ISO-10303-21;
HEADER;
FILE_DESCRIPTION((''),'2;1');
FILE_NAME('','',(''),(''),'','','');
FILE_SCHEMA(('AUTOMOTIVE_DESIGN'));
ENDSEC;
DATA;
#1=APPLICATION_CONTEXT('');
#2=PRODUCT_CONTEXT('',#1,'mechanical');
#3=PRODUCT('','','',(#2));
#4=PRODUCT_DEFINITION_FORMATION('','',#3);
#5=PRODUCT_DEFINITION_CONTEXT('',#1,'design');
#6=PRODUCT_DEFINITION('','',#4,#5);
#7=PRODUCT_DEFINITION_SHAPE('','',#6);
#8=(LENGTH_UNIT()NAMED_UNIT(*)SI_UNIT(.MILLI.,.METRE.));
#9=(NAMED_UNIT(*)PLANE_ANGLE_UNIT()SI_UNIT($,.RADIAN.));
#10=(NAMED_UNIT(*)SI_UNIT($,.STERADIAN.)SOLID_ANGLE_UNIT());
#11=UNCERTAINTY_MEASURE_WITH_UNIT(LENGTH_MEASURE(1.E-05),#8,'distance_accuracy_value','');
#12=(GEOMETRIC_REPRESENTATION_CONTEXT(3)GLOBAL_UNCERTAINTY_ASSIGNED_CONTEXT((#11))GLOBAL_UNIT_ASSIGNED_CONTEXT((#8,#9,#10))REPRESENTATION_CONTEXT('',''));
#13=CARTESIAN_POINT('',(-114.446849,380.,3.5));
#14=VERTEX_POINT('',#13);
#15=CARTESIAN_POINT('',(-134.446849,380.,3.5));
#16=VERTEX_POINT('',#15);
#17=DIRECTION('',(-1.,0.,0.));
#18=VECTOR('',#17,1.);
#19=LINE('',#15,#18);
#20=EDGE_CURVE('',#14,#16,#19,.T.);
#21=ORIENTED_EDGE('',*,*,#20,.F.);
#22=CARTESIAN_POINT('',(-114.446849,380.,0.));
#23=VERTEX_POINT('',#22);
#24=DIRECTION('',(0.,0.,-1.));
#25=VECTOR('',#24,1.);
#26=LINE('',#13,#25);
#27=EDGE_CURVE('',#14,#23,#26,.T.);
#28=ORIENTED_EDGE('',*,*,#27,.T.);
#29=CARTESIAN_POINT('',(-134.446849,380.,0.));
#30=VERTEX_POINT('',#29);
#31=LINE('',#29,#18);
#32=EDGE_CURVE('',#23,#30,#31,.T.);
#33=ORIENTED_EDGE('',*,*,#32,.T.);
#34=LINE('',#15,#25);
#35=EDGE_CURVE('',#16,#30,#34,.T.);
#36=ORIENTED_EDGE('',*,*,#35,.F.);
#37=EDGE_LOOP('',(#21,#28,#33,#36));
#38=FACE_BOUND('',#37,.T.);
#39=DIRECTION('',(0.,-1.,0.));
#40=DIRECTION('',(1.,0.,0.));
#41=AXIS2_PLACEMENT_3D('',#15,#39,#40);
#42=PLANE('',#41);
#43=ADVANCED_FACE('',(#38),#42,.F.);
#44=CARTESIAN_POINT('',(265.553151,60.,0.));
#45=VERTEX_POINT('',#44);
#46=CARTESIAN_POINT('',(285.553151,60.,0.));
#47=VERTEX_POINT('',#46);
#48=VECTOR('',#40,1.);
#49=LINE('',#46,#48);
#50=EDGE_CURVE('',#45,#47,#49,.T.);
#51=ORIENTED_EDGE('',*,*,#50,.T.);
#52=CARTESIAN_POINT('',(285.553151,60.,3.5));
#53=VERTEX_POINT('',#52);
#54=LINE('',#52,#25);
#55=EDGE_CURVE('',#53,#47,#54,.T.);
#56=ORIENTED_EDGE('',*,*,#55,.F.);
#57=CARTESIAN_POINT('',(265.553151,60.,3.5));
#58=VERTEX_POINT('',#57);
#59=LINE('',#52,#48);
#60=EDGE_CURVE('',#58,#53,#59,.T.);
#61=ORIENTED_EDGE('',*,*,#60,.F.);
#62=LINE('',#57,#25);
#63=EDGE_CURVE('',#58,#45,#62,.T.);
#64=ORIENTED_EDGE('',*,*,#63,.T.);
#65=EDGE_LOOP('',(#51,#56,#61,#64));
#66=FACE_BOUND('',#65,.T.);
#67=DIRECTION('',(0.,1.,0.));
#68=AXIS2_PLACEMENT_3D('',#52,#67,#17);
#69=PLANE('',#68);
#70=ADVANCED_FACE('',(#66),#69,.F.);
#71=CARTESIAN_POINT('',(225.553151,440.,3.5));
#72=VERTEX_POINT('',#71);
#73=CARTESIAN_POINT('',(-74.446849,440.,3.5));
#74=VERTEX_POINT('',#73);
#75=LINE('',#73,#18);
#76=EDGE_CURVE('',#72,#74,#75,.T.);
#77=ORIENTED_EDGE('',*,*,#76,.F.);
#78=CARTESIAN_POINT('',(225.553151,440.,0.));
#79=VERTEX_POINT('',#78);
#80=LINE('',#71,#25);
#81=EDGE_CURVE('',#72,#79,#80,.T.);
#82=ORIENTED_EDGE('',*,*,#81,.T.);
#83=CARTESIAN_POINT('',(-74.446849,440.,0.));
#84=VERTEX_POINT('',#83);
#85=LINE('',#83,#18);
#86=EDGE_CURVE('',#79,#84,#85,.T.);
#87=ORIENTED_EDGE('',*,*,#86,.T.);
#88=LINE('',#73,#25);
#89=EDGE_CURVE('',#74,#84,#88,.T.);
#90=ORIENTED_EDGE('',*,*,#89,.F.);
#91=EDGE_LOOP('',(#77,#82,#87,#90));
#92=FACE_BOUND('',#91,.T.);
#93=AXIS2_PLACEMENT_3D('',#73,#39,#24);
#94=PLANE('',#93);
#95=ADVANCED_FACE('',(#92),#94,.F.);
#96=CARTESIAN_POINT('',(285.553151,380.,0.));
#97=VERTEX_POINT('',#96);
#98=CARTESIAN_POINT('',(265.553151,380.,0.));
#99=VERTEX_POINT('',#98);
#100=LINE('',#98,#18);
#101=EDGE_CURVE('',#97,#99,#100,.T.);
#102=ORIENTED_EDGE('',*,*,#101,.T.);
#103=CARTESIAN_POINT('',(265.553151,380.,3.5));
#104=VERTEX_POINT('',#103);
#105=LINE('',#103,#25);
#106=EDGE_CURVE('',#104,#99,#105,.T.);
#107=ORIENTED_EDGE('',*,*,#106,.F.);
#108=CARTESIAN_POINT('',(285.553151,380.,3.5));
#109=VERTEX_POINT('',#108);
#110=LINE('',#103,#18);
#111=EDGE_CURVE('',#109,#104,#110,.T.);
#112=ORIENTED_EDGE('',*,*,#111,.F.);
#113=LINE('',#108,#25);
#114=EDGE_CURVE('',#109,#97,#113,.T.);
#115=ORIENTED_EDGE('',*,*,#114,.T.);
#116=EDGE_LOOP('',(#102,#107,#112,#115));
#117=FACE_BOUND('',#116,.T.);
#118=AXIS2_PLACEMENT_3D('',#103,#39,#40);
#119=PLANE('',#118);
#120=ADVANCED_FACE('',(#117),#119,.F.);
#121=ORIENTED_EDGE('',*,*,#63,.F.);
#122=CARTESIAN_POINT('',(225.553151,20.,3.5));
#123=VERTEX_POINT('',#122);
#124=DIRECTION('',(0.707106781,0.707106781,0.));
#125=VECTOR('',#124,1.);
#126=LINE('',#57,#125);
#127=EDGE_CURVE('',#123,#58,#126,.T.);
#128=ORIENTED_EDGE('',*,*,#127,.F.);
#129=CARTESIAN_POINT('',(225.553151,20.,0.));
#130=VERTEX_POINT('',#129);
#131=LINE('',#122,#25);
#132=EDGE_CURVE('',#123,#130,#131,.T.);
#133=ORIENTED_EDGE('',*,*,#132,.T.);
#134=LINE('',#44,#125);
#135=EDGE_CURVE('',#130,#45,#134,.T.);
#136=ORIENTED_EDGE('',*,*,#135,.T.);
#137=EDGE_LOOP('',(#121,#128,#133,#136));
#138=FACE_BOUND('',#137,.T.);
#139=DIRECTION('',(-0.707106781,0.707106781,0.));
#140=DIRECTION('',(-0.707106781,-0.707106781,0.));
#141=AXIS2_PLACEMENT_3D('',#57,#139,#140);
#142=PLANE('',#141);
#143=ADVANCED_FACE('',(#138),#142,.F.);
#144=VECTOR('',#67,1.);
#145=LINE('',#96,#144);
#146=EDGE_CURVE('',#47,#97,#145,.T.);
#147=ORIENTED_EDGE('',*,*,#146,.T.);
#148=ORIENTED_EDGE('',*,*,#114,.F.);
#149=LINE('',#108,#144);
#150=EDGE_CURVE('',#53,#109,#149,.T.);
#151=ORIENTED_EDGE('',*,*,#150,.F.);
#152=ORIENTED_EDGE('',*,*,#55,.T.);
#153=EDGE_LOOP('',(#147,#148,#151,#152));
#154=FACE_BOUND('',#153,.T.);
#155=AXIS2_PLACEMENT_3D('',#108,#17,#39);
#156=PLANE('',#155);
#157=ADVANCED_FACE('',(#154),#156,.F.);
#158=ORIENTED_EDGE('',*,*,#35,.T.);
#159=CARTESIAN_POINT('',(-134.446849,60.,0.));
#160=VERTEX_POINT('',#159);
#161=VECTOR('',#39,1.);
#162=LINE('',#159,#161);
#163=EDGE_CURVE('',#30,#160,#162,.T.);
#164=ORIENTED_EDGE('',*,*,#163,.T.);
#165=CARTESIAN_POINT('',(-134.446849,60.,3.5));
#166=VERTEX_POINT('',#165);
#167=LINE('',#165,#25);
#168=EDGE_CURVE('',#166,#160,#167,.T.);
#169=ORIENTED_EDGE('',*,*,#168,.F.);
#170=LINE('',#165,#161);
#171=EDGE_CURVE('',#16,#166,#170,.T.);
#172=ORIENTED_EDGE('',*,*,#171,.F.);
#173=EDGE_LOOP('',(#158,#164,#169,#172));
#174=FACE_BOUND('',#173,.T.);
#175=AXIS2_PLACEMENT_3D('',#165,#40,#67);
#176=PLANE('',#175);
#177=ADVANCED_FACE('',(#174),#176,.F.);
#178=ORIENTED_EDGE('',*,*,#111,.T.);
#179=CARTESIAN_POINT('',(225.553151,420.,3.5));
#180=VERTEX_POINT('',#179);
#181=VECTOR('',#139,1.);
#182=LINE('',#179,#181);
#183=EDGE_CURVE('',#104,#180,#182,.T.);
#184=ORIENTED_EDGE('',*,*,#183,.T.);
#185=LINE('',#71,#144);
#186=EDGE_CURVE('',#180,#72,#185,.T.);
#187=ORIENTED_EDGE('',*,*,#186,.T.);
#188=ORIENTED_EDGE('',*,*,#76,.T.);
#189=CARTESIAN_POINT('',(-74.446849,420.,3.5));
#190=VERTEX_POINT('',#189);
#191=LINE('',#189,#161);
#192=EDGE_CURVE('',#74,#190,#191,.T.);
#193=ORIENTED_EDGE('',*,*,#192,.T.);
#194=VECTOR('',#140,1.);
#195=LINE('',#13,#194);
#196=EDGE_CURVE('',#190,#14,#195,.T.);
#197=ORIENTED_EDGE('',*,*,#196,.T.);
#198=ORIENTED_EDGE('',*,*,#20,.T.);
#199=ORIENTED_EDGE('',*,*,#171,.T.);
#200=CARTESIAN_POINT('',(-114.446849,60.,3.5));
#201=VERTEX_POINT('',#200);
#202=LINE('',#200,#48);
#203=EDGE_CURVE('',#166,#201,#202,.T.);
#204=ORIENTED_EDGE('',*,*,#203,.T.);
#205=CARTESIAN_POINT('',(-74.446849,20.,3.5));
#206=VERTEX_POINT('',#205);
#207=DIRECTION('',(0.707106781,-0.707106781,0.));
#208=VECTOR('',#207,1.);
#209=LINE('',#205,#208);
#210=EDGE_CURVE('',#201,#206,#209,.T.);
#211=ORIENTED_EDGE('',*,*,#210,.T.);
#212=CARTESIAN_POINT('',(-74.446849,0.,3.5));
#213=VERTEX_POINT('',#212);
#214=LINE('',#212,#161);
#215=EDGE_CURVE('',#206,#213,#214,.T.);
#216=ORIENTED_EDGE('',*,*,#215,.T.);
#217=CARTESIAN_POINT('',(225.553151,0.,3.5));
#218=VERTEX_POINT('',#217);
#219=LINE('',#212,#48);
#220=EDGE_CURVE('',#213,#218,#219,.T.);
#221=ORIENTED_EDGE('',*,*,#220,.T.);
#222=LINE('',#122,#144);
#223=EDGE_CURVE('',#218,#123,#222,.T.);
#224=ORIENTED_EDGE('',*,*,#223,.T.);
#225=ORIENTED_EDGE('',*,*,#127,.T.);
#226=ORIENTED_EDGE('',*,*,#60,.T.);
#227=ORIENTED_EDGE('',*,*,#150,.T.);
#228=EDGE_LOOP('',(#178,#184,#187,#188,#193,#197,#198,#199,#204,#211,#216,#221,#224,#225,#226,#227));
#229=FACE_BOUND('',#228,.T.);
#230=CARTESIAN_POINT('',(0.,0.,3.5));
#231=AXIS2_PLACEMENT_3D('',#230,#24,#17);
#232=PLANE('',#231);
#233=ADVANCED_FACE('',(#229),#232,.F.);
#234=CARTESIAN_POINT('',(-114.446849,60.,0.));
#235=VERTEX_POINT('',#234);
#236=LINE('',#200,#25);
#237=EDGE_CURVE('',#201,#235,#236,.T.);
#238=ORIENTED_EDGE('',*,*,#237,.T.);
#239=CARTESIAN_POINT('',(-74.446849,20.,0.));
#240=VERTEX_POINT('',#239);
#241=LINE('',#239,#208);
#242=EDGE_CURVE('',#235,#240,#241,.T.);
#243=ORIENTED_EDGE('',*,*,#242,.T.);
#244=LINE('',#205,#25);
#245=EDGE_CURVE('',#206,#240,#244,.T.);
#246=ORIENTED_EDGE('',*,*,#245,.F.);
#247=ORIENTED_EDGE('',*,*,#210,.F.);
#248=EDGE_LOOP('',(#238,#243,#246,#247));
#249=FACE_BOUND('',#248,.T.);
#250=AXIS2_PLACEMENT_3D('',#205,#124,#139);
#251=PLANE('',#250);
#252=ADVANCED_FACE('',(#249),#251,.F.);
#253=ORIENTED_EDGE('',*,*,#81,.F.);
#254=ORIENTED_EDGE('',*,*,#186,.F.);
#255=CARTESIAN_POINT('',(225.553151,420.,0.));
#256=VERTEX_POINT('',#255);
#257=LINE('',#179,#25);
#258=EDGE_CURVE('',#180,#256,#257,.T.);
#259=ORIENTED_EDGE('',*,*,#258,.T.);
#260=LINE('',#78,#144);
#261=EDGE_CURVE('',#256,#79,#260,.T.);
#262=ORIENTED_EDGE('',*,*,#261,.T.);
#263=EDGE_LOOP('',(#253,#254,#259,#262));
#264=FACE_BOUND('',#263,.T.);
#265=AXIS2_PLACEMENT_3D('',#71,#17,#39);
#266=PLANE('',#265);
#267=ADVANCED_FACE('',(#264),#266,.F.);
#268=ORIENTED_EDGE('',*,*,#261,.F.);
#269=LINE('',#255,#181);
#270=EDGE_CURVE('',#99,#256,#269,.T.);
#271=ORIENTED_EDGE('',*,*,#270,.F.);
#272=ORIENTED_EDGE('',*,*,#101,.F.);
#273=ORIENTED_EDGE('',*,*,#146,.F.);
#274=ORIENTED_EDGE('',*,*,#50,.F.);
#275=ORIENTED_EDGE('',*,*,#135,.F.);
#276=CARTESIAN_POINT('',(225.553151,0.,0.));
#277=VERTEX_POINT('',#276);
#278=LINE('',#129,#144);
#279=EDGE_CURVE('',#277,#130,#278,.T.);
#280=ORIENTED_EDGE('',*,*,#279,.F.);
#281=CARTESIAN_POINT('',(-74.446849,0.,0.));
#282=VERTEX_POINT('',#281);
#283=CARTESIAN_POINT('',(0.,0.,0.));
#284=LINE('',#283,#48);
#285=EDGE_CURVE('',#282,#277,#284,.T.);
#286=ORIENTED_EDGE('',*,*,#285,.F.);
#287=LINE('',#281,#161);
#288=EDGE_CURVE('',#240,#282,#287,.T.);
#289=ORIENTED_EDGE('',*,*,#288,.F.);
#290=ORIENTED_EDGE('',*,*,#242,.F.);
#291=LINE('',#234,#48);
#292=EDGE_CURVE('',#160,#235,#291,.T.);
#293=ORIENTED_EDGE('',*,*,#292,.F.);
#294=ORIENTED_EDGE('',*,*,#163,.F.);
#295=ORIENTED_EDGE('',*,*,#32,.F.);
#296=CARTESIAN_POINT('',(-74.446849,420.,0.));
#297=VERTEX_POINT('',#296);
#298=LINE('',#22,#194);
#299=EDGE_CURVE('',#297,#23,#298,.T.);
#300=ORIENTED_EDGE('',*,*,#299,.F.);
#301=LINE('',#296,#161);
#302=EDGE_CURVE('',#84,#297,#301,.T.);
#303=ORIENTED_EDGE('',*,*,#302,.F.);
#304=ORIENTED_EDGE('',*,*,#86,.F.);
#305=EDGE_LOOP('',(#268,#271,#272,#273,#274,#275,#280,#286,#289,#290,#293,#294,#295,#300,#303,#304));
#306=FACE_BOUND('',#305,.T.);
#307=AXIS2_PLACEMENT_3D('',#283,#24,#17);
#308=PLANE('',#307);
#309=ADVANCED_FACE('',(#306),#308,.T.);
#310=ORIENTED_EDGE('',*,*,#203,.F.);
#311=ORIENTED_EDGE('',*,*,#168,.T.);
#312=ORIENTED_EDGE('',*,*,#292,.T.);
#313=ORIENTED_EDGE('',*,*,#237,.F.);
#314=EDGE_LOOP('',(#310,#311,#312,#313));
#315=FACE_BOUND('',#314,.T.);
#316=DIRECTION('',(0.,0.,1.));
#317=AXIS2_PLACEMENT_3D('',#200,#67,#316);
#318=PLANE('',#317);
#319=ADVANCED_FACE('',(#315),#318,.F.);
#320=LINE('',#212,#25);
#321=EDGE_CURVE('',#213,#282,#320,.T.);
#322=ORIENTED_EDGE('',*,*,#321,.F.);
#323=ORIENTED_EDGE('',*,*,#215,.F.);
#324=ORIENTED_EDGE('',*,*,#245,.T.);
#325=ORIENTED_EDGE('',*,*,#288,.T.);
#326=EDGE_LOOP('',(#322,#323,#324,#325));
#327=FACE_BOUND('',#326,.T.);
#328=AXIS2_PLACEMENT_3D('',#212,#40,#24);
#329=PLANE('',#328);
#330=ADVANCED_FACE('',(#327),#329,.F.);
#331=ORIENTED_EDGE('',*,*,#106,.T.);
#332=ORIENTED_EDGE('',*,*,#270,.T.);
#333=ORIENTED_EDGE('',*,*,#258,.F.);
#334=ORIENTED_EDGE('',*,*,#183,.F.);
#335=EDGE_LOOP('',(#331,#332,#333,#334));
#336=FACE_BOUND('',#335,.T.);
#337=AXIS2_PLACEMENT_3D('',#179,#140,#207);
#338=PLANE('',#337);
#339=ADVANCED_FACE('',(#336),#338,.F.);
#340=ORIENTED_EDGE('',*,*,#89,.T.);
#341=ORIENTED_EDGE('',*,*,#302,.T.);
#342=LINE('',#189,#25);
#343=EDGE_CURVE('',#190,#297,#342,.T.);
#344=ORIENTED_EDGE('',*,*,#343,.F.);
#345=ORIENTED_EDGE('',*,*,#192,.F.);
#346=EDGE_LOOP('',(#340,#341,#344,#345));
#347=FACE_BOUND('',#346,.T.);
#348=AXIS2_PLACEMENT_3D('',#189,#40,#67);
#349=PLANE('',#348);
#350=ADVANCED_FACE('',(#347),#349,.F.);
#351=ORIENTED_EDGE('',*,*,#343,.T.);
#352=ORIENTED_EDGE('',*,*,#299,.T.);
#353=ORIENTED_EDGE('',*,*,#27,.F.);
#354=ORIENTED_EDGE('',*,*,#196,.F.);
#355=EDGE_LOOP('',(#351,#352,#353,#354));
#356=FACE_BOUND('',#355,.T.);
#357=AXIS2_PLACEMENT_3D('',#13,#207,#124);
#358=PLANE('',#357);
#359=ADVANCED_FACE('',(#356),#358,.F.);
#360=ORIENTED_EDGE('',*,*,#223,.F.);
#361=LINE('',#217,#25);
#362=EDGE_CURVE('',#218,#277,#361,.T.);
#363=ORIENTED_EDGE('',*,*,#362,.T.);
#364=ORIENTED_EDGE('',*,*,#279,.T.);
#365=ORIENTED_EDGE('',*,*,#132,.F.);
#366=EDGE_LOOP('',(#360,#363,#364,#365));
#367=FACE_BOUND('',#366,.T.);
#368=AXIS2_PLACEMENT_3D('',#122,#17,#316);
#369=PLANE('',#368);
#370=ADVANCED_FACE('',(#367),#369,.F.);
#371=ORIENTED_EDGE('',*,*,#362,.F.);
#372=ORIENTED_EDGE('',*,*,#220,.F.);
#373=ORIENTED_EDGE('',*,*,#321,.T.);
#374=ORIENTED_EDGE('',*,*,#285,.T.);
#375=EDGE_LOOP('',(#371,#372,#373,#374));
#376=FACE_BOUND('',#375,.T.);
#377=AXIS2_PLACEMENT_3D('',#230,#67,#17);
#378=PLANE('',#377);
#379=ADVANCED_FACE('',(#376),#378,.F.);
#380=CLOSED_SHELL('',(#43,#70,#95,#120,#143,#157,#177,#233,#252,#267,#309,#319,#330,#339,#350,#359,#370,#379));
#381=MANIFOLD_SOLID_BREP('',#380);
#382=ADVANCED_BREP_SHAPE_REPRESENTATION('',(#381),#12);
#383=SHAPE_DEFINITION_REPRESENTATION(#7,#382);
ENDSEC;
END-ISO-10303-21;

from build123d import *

# Parameters (mm, degrees)
BOSS_EXTRUDE2_DEPTH = 3.5


with BuildPart() as part:
    # Sketch2 → Boss-Extrude2 (new body)
    with BuildSketch(Plane.XY):
        Polygon((-74.446848513, 440), (225.553151486, 440), (225.553151486, 420.000000001), (265.553151487, 380), (285.553151487, 380), (285.553151487, 60), (265.553151487, 60), (225.553151487, 20), (225.553151487, 0), (0, 0), (-74.446848513, 0), (-74.446848513, 20), (-114.446848513, 60), (-134.446848513, 60), (-134.446848513, 380), (-114.446848513, 380), (-74.446848513, 420), align=None)
    extrude(amount=BOSS_EXTRUDE2_DEPTH)


solid = part.part
